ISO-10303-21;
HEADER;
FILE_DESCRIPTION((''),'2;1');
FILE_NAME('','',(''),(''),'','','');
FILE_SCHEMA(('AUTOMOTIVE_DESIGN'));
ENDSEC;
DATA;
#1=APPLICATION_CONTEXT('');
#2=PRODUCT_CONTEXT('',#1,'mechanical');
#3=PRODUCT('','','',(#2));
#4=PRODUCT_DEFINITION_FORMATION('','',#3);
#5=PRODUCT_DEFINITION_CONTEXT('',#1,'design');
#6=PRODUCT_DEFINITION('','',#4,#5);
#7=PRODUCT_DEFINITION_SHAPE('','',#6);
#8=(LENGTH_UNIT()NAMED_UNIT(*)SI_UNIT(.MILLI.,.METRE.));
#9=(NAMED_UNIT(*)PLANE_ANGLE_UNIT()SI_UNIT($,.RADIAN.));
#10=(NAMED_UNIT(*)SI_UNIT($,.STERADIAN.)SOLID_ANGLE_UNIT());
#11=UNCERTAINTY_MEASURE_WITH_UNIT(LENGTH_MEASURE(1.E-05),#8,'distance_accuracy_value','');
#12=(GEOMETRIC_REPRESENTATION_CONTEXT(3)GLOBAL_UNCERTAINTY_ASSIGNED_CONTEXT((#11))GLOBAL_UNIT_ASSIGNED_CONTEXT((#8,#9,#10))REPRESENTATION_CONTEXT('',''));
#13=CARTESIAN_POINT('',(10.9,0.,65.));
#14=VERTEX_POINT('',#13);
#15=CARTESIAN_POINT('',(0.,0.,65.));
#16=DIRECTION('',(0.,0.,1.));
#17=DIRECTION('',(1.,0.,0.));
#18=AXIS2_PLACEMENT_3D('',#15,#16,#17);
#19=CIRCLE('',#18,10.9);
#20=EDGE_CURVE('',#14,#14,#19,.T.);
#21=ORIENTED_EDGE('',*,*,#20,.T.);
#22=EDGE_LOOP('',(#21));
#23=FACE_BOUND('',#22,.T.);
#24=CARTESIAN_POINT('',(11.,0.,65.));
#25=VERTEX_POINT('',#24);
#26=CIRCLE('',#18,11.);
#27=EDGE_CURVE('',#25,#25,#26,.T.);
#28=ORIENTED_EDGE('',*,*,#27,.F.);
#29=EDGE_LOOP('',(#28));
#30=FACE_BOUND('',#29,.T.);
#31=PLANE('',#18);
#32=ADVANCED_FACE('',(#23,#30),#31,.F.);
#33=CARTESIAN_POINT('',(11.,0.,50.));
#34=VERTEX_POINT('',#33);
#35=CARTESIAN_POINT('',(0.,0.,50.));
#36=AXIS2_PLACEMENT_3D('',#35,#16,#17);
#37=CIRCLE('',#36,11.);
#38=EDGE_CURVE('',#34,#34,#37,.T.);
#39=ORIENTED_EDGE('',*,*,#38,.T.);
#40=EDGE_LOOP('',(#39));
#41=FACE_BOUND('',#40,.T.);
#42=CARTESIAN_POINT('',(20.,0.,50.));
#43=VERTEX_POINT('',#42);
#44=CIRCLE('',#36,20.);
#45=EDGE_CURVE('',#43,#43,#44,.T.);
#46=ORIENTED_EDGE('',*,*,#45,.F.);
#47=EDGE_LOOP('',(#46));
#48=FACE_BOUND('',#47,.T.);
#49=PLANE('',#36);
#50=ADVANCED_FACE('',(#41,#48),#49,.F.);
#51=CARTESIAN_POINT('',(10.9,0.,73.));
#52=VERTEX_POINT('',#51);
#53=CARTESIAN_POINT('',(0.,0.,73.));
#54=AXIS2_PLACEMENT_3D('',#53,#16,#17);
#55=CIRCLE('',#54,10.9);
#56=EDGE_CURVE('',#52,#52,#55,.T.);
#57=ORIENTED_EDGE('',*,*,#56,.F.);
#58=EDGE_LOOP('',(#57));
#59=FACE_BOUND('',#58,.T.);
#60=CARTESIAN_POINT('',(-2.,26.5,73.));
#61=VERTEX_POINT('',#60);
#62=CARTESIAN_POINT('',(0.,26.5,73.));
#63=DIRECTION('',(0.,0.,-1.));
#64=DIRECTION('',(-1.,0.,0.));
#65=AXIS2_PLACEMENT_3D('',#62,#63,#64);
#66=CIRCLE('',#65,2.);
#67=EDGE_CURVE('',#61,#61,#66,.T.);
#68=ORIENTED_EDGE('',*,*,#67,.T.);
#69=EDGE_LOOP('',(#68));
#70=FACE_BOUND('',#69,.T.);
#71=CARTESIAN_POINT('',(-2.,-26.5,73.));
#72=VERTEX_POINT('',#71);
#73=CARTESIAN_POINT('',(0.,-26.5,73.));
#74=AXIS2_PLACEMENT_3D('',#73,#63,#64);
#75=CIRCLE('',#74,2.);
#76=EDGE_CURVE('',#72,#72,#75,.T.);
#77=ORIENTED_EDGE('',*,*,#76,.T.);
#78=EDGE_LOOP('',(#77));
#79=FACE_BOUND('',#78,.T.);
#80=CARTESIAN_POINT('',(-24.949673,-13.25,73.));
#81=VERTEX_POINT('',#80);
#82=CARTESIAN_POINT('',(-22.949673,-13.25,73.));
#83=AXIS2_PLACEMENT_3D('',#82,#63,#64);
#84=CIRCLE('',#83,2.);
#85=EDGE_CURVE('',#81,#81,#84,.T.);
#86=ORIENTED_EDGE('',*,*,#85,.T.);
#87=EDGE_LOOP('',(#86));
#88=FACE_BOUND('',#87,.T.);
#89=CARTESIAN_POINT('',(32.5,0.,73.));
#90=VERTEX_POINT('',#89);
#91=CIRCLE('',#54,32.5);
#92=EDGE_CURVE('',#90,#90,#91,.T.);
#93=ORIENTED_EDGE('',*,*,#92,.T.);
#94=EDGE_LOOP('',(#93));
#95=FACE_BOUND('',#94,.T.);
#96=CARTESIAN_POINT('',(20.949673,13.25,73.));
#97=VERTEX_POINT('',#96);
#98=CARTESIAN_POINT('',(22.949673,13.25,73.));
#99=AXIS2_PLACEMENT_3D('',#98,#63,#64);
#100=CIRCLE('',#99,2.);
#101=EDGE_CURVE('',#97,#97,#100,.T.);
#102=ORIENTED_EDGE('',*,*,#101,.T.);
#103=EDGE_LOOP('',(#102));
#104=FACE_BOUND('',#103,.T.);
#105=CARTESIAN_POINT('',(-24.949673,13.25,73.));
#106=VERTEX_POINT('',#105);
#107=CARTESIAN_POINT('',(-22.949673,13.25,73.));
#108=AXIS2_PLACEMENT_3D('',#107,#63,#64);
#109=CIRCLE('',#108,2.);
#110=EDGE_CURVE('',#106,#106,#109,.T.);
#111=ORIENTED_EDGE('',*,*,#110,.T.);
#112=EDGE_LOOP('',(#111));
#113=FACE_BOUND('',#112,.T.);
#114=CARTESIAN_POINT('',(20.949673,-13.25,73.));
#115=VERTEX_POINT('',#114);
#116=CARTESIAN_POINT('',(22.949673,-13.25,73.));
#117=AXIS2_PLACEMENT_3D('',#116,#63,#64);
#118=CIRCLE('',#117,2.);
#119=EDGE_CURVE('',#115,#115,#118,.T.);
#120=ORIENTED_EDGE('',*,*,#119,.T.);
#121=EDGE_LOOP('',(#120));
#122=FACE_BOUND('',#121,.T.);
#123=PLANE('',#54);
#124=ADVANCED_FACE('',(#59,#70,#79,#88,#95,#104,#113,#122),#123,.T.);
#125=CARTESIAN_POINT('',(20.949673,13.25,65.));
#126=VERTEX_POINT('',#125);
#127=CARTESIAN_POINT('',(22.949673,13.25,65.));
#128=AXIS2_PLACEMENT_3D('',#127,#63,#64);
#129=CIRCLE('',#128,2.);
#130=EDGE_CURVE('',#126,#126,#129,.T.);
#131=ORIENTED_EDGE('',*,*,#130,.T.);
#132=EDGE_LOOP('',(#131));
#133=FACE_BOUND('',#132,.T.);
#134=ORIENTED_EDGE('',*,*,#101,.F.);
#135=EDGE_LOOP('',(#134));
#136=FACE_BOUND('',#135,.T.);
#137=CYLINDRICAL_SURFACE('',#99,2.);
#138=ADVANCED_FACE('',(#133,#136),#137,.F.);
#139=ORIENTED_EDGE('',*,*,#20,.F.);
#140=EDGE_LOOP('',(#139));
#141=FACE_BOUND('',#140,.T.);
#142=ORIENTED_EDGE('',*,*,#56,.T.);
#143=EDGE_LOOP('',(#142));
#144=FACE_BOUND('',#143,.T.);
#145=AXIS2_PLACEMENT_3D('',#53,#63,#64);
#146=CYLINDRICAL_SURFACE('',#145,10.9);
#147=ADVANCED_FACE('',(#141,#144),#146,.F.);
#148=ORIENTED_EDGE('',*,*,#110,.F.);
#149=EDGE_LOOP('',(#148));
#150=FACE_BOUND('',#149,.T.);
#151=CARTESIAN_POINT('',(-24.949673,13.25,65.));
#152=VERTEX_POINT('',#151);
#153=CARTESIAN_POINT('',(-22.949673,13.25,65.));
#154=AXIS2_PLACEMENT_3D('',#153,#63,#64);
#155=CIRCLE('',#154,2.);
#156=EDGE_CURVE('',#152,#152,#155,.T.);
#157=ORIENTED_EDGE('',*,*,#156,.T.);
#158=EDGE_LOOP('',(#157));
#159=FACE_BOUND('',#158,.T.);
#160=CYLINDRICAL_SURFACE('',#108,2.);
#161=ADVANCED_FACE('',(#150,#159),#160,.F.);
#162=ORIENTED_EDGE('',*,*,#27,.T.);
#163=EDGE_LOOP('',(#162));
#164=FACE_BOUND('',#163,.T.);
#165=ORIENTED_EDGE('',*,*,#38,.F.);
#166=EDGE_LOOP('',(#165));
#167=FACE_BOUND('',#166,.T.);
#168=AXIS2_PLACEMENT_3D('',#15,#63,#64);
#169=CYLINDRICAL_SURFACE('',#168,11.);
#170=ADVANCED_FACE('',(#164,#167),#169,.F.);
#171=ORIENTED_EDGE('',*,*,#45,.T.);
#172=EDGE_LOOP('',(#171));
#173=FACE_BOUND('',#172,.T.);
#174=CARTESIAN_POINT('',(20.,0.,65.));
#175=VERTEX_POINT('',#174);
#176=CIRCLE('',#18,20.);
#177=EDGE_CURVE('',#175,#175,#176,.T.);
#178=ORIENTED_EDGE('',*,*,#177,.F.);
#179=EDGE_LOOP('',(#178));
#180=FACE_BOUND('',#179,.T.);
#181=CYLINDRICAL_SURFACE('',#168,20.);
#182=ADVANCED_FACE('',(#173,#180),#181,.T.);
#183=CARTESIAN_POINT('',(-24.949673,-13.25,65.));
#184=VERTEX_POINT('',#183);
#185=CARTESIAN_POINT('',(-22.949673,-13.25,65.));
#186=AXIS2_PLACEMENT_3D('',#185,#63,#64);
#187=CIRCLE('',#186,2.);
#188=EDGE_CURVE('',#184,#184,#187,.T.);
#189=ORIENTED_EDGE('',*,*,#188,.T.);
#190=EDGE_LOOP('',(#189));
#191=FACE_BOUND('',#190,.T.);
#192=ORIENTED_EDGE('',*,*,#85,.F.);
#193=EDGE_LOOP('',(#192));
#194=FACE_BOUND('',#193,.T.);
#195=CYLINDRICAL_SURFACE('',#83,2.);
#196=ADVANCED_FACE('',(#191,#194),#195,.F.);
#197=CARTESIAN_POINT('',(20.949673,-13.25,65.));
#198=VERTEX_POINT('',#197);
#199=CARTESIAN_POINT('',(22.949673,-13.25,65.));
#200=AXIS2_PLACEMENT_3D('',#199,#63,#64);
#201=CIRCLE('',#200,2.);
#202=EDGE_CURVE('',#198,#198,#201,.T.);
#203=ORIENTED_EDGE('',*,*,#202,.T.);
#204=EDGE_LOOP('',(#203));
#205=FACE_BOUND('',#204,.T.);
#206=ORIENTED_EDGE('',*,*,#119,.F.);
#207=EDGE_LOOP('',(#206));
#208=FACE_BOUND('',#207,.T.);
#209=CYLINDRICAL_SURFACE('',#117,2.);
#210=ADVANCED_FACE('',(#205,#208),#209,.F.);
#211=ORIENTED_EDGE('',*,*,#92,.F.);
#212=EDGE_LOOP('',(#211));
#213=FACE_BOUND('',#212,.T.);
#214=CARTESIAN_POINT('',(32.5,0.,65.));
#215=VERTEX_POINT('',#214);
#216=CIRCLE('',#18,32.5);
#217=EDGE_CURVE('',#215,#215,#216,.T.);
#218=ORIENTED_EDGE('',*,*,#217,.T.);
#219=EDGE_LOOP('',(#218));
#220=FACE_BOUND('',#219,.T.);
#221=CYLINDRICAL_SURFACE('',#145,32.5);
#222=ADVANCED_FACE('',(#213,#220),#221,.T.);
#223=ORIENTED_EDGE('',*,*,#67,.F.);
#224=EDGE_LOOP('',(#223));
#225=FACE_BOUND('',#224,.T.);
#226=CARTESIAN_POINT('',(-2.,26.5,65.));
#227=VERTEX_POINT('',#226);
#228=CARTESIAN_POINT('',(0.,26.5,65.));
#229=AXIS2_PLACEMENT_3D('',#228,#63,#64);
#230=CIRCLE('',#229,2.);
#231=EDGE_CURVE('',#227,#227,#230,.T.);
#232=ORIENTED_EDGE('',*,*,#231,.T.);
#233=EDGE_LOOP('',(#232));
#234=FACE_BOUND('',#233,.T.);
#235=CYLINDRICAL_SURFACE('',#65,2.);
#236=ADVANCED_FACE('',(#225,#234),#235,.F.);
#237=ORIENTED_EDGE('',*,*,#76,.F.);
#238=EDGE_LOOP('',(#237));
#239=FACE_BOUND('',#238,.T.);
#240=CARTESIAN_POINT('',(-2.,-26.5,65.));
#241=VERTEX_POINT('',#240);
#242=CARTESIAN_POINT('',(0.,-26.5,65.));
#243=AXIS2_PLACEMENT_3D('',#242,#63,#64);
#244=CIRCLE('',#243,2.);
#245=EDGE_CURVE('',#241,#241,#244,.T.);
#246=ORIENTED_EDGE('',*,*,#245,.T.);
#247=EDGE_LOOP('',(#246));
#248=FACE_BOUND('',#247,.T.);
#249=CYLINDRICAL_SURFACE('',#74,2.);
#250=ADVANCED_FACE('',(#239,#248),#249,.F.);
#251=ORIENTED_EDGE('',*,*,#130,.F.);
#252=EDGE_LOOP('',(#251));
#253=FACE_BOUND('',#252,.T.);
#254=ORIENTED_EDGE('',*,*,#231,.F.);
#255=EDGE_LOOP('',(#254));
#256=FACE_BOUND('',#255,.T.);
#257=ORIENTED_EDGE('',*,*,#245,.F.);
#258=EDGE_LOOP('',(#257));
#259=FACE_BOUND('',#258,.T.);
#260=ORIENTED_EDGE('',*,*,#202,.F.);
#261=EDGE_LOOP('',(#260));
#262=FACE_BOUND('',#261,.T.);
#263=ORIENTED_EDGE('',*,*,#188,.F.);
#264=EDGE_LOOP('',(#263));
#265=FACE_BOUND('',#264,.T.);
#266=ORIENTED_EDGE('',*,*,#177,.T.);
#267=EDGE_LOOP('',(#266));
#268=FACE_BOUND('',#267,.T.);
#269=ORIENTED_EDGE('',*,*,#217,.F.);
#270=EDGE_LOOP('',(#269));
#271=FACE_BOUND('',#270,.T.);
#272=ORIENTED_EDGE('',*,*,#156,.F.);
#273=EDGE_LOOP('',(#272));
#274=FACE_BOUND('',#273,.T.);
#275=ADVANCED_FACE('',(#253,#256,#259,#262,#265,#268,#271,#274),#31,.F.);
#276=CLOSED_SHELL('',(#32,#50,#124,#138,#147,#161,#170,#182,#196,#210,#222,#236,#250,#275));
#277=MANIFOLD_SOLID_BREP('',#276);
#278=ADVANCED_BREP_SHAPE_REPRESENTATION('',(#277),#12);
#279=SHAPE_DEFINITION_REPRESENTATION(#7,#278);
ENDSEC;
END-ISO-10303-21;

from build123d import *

# Parameters (mm, degrees)
EXTRUDE_START       = 50
SKETCH_1_R          = 20
SKETCH_1_R_2        = 11
EXTRUDE_1_DEPTH     = 15
SKETCH_2_R          = 32.5
SKETCH_2_R_2        = 10.9
EXTRUDE_2_DEPTH     = 8
SKETCH_3_R          = 2
CUT_EXTRUDE_3_DEPTH = 49.347699015


with BuildPart() as part:
    # Эскиз1 → Вытянуть1 (new body)
    with BuildSketch(Plane.XY.offset(EXTRUDE_START)):
        Circle(SKETCH_1_R)
        Circle(SKETCH_1_R_2, mode=Mode.SUBTRACT)
    extrude(amount=EXTRUDE_1_DEPTH)

    # Эскиз2 → Вытянуть2 (add)
    with BuildSketch(Plane.XY.offset(65)):
        Circle(SKETCH_2_R)
        Circle(SKETCH_2_R_2, mode=Mode.SUBTRACT)
    extrude(amount=EXTRUDE_2_DEPTH)

    # Эскиз3 → Вытянуть3 (cut, through all)
    with BuildSketch(Plane(origin=(0, 0, 65), x_dir=(-1, 0, 0), z_dir=(0, 0, -1))):
        with Locations((0, 26.5)):
            Circle(SKETCH_3_R)
        with Locations((22.9496732, 13.25)):
            Circle(SKETCH_3_R)
        with Locations((22.9496732, -13.25)):
            Circle(SKETCH_3_R)
        with Locations((0, -26.5)):
            Circle(SKETCH_3_R)
        with Locations((-22.9496732, -13.25)):
            Circle(SKETCH_3_R)
        with Locations((-22.9496732, 13.25)):
            Circle(SKETCH_3_R)
    extrude(amount=-CUT_EXTRUDE_3_DEPTH, mode=Mode.SUBTRACT)


solid = part.part
